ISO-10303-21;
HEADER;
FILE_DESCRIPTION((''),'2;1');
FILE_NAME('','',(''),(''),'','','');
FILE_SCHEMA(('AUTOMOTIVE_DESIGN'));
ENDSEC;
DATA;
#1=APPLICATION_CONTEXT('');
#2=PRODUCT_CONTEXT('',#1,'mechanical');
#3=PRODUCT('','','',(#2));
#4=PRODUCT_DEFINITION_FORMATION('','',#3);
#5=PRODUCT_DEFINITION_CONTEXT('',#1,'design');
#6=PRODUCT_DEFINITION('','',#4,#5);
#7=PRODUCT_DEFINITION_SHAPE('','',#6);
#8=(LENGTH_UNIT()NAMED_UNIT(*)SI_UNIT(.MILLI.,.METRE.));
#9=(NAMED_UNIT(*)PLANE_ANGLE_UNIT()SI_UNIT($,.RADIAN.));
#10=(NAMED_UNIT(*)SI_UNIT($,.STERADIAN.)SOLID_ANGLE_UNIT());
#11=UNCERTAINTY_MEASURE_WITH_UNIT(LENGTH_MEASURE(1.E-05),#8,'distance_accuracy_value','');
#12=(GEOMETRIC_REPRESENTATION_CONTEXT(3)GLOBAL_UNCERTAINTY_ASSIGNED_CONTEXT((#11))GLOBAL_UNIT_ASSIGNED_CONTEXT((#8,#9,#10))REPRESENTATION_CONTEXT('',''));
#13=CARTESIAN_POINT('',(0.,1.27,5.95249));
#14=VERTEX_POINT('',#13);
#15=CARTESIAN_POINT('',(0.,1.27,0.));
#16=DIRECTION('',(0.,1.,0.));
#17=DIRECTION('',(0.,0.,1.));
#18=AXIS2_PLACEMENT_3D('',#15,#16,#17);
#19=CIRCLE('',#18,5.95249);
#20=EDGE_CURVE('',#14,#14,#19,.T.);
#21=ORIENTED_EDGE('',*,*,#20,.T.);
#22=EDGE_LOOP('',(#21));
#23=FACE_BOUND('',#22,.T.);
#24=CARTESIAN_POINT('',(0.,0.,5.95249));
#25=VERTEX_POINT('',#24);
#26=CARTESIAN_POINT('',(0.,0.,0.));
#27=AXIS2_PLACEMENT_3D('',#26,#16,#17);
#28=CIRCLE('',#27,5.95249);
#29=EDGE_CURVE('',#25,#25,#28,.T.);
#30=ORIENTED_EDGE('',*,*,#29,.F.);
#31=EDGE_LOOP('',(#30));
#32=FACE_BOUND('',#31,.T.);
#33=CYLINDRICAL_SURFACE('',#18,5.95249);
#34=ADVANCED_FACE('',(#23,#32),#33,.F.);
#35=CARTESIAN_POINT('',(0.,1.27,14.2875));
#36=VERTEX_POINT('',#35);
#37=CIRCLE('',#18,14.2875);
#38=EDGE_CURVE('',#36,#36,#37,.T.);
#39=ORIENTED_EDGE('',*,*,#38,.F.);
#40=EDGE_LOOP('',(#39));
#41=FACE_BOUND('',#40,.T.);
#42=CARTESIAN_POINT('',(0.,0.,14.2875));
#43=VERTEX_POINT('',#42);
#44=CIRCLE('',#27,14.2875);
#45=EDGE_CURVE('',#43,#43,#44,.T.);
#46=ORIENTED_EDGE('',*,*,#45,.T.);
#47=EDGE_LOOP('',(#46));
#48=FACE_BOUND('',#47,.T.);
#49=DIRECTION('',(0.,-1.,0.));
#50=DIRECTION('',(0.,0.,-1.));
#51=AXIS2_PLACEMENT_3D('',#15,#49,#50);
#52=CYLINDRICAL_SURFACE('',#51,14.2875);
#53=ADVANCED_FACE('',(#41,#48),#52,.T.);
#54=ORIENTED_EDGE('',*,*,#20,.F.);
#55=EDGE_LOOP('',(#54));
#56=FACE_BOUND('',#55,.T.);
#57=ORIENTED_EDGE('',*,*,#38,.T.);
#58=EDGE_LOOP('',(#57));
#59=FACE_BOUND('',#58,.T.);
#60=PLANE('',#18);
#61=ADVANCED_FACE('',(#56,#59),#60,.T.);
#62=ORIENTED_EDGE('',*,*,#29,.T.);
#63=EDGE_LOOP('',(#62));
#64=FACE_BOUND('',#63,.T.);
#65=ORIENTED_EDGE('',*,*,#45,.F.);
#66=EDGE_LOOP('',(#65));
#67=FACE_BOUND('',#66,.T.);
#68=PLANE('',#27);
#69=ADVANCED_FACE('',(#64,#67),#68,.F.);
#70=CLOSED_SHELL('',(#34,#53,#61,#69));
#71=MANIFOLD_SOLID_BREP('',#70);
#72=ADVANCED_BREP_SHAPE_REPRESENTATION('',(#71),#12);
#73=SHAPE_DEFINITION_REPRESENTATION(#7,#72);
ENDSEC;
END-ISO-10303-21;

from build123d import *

# Parameters (mm, degrees)
SKETCH1_R                = 14.2875
BOSS_EXTRUDE1_DEPTH      = 1.27
F_7_16_CLEARANCE_HOLE1_D = 11.90498


with BuildPart() as part:
    # Sketch1 → Boss-Extrude1 (new body)
    with BuildSketch(Plane(origin=(0, 0, 0), x_dir=(1, 0, 0), z_dir=(0, 1, 0))):
        with Locations(Location((0, 0, 0), (0, 0, 270))):
            Circle(SKETCH1_R)
    extrude(amount=BOSS_EXTRUDE1_DEPTH)

    # 7/16 Clearance Hole1 (through all)
    with Locations(Plane(origin=(0, 1.27, 0), x_dir=(1, 0, 0), z_dir=(0, 1, 0))):
        with Locations((0, 0)):
            Hole(F_7_16_CLEARANCE_HOLE1_D / 2)


solid = part.part
